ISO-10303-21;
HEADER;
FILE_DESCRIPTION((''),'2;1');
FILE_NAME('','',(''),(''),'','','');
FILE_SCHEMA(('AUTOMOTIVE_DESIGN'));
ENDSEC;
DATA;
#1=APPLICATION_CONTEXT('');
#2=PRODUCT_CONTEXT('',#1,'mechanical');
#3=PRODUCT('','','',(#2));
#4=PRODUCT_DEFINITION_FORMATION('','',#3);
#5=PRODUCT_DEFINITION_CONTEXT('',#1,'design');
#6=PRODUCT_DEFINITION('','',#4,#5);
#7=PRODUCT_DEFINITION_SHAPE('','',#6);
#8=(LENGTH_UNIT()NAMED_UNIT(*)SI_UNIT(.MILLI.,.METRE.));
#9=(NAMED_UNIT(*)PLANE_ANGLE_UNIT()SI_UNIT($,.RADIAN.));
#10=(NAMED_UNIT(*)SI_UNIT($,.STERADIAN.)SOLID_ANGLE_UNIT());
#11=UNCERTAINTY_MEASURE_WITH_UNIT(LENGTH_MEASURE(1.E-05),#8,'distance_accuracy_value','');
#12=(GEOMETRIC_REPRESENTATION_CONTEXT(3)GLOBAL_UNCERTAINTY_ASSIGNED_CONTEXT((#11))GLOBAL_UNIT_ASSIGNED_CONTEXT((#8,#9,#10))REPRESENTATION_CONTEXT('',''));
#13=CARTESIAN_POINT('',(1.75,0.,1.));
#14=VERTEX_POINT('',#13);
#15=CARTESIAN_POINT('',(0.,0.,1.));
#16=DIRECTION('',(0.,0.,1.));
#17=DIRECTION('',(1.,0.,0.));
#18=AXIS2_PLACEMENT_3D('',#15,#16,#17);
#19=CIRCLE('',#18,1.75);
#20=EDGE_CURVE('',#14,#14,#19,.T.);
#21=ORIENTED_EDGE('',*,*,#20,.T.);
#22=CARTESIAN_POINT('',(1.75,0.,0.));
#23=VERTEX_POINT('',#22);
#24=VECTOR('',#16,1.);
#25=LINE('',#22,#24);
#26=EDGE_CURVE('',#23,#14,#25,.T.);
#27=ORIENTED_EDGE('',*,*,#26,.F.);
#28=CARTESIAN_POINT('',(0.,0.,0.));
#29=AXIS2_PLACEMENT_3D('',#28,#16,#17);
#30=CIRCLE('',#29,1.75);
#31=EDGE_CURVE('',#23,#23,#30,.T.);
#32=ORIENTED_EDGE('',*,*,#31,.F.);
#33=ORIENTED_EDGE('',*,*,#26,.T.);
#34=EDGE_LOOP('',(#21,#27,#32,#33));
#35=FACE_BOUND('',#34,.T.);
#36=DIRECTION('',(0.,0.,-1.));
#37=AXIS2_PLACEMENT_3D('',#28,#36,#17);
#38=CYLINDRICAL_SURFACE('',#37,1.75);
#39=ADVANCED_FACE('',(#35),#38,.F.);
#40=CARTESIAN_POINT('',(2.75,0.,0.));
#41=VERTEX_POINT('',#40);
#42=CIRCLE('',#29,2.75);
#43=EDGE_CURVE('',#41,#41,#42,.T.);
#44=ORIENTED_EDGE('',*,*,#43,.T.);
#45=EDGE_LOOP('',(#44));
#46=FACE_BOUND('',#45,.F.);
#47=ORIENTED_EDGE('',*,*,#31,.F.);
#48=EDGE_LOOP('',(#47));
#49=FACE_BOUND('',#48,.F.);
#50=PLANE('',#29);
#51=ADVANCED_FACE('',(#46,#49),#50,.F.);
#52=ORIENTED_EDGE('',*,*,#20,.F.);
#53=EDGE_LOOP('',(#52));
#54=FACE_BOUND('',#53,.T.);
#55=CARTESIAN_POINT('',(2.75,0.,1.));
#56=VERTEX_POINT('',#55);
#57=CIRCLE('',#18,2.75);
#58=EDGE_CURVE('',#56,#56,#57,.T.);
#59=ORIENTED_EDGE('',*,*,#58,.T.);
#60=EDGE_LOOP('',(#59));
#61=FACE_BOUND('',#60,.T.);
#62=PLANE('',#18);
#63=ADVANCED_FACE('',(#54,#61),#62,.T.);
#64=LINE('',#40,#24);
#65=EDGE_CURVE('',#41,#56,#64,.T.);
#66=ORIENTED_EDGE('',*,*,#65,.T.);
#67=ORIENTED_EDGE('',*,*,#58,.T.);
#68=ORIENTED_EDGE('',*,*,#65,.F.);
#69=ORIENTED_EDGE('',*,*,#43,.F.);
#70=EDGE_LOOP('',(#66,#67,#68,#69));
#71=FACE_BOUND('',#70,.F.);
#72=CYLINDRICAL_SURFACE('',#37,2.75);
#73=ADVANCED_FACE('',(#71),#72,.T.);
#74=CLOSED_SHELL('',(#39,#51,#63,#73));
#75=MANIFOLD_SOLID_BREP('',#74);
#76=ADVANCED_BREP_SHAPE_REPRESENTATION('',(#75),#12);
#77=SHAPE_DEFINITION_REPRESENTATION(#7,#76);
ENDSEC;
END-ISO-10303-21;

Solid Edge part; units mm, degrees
sketch "Sketch1" plane through (0, 0, 0) normal (0, 0, 1) x (1, 0, 0)
  circle A0 centre (0, 0) radius 2.75
  circle A1 centre (0, 0) radius 1.75
  dimension "D1" = 5.5
  dimension "D2" = 3
  dimension "D3" = 0.25
  dimension "D4" = 3.5
extrude "Protrusion1" add sketch "Sketch1" along normal blind 1
properties material "Graphite"
